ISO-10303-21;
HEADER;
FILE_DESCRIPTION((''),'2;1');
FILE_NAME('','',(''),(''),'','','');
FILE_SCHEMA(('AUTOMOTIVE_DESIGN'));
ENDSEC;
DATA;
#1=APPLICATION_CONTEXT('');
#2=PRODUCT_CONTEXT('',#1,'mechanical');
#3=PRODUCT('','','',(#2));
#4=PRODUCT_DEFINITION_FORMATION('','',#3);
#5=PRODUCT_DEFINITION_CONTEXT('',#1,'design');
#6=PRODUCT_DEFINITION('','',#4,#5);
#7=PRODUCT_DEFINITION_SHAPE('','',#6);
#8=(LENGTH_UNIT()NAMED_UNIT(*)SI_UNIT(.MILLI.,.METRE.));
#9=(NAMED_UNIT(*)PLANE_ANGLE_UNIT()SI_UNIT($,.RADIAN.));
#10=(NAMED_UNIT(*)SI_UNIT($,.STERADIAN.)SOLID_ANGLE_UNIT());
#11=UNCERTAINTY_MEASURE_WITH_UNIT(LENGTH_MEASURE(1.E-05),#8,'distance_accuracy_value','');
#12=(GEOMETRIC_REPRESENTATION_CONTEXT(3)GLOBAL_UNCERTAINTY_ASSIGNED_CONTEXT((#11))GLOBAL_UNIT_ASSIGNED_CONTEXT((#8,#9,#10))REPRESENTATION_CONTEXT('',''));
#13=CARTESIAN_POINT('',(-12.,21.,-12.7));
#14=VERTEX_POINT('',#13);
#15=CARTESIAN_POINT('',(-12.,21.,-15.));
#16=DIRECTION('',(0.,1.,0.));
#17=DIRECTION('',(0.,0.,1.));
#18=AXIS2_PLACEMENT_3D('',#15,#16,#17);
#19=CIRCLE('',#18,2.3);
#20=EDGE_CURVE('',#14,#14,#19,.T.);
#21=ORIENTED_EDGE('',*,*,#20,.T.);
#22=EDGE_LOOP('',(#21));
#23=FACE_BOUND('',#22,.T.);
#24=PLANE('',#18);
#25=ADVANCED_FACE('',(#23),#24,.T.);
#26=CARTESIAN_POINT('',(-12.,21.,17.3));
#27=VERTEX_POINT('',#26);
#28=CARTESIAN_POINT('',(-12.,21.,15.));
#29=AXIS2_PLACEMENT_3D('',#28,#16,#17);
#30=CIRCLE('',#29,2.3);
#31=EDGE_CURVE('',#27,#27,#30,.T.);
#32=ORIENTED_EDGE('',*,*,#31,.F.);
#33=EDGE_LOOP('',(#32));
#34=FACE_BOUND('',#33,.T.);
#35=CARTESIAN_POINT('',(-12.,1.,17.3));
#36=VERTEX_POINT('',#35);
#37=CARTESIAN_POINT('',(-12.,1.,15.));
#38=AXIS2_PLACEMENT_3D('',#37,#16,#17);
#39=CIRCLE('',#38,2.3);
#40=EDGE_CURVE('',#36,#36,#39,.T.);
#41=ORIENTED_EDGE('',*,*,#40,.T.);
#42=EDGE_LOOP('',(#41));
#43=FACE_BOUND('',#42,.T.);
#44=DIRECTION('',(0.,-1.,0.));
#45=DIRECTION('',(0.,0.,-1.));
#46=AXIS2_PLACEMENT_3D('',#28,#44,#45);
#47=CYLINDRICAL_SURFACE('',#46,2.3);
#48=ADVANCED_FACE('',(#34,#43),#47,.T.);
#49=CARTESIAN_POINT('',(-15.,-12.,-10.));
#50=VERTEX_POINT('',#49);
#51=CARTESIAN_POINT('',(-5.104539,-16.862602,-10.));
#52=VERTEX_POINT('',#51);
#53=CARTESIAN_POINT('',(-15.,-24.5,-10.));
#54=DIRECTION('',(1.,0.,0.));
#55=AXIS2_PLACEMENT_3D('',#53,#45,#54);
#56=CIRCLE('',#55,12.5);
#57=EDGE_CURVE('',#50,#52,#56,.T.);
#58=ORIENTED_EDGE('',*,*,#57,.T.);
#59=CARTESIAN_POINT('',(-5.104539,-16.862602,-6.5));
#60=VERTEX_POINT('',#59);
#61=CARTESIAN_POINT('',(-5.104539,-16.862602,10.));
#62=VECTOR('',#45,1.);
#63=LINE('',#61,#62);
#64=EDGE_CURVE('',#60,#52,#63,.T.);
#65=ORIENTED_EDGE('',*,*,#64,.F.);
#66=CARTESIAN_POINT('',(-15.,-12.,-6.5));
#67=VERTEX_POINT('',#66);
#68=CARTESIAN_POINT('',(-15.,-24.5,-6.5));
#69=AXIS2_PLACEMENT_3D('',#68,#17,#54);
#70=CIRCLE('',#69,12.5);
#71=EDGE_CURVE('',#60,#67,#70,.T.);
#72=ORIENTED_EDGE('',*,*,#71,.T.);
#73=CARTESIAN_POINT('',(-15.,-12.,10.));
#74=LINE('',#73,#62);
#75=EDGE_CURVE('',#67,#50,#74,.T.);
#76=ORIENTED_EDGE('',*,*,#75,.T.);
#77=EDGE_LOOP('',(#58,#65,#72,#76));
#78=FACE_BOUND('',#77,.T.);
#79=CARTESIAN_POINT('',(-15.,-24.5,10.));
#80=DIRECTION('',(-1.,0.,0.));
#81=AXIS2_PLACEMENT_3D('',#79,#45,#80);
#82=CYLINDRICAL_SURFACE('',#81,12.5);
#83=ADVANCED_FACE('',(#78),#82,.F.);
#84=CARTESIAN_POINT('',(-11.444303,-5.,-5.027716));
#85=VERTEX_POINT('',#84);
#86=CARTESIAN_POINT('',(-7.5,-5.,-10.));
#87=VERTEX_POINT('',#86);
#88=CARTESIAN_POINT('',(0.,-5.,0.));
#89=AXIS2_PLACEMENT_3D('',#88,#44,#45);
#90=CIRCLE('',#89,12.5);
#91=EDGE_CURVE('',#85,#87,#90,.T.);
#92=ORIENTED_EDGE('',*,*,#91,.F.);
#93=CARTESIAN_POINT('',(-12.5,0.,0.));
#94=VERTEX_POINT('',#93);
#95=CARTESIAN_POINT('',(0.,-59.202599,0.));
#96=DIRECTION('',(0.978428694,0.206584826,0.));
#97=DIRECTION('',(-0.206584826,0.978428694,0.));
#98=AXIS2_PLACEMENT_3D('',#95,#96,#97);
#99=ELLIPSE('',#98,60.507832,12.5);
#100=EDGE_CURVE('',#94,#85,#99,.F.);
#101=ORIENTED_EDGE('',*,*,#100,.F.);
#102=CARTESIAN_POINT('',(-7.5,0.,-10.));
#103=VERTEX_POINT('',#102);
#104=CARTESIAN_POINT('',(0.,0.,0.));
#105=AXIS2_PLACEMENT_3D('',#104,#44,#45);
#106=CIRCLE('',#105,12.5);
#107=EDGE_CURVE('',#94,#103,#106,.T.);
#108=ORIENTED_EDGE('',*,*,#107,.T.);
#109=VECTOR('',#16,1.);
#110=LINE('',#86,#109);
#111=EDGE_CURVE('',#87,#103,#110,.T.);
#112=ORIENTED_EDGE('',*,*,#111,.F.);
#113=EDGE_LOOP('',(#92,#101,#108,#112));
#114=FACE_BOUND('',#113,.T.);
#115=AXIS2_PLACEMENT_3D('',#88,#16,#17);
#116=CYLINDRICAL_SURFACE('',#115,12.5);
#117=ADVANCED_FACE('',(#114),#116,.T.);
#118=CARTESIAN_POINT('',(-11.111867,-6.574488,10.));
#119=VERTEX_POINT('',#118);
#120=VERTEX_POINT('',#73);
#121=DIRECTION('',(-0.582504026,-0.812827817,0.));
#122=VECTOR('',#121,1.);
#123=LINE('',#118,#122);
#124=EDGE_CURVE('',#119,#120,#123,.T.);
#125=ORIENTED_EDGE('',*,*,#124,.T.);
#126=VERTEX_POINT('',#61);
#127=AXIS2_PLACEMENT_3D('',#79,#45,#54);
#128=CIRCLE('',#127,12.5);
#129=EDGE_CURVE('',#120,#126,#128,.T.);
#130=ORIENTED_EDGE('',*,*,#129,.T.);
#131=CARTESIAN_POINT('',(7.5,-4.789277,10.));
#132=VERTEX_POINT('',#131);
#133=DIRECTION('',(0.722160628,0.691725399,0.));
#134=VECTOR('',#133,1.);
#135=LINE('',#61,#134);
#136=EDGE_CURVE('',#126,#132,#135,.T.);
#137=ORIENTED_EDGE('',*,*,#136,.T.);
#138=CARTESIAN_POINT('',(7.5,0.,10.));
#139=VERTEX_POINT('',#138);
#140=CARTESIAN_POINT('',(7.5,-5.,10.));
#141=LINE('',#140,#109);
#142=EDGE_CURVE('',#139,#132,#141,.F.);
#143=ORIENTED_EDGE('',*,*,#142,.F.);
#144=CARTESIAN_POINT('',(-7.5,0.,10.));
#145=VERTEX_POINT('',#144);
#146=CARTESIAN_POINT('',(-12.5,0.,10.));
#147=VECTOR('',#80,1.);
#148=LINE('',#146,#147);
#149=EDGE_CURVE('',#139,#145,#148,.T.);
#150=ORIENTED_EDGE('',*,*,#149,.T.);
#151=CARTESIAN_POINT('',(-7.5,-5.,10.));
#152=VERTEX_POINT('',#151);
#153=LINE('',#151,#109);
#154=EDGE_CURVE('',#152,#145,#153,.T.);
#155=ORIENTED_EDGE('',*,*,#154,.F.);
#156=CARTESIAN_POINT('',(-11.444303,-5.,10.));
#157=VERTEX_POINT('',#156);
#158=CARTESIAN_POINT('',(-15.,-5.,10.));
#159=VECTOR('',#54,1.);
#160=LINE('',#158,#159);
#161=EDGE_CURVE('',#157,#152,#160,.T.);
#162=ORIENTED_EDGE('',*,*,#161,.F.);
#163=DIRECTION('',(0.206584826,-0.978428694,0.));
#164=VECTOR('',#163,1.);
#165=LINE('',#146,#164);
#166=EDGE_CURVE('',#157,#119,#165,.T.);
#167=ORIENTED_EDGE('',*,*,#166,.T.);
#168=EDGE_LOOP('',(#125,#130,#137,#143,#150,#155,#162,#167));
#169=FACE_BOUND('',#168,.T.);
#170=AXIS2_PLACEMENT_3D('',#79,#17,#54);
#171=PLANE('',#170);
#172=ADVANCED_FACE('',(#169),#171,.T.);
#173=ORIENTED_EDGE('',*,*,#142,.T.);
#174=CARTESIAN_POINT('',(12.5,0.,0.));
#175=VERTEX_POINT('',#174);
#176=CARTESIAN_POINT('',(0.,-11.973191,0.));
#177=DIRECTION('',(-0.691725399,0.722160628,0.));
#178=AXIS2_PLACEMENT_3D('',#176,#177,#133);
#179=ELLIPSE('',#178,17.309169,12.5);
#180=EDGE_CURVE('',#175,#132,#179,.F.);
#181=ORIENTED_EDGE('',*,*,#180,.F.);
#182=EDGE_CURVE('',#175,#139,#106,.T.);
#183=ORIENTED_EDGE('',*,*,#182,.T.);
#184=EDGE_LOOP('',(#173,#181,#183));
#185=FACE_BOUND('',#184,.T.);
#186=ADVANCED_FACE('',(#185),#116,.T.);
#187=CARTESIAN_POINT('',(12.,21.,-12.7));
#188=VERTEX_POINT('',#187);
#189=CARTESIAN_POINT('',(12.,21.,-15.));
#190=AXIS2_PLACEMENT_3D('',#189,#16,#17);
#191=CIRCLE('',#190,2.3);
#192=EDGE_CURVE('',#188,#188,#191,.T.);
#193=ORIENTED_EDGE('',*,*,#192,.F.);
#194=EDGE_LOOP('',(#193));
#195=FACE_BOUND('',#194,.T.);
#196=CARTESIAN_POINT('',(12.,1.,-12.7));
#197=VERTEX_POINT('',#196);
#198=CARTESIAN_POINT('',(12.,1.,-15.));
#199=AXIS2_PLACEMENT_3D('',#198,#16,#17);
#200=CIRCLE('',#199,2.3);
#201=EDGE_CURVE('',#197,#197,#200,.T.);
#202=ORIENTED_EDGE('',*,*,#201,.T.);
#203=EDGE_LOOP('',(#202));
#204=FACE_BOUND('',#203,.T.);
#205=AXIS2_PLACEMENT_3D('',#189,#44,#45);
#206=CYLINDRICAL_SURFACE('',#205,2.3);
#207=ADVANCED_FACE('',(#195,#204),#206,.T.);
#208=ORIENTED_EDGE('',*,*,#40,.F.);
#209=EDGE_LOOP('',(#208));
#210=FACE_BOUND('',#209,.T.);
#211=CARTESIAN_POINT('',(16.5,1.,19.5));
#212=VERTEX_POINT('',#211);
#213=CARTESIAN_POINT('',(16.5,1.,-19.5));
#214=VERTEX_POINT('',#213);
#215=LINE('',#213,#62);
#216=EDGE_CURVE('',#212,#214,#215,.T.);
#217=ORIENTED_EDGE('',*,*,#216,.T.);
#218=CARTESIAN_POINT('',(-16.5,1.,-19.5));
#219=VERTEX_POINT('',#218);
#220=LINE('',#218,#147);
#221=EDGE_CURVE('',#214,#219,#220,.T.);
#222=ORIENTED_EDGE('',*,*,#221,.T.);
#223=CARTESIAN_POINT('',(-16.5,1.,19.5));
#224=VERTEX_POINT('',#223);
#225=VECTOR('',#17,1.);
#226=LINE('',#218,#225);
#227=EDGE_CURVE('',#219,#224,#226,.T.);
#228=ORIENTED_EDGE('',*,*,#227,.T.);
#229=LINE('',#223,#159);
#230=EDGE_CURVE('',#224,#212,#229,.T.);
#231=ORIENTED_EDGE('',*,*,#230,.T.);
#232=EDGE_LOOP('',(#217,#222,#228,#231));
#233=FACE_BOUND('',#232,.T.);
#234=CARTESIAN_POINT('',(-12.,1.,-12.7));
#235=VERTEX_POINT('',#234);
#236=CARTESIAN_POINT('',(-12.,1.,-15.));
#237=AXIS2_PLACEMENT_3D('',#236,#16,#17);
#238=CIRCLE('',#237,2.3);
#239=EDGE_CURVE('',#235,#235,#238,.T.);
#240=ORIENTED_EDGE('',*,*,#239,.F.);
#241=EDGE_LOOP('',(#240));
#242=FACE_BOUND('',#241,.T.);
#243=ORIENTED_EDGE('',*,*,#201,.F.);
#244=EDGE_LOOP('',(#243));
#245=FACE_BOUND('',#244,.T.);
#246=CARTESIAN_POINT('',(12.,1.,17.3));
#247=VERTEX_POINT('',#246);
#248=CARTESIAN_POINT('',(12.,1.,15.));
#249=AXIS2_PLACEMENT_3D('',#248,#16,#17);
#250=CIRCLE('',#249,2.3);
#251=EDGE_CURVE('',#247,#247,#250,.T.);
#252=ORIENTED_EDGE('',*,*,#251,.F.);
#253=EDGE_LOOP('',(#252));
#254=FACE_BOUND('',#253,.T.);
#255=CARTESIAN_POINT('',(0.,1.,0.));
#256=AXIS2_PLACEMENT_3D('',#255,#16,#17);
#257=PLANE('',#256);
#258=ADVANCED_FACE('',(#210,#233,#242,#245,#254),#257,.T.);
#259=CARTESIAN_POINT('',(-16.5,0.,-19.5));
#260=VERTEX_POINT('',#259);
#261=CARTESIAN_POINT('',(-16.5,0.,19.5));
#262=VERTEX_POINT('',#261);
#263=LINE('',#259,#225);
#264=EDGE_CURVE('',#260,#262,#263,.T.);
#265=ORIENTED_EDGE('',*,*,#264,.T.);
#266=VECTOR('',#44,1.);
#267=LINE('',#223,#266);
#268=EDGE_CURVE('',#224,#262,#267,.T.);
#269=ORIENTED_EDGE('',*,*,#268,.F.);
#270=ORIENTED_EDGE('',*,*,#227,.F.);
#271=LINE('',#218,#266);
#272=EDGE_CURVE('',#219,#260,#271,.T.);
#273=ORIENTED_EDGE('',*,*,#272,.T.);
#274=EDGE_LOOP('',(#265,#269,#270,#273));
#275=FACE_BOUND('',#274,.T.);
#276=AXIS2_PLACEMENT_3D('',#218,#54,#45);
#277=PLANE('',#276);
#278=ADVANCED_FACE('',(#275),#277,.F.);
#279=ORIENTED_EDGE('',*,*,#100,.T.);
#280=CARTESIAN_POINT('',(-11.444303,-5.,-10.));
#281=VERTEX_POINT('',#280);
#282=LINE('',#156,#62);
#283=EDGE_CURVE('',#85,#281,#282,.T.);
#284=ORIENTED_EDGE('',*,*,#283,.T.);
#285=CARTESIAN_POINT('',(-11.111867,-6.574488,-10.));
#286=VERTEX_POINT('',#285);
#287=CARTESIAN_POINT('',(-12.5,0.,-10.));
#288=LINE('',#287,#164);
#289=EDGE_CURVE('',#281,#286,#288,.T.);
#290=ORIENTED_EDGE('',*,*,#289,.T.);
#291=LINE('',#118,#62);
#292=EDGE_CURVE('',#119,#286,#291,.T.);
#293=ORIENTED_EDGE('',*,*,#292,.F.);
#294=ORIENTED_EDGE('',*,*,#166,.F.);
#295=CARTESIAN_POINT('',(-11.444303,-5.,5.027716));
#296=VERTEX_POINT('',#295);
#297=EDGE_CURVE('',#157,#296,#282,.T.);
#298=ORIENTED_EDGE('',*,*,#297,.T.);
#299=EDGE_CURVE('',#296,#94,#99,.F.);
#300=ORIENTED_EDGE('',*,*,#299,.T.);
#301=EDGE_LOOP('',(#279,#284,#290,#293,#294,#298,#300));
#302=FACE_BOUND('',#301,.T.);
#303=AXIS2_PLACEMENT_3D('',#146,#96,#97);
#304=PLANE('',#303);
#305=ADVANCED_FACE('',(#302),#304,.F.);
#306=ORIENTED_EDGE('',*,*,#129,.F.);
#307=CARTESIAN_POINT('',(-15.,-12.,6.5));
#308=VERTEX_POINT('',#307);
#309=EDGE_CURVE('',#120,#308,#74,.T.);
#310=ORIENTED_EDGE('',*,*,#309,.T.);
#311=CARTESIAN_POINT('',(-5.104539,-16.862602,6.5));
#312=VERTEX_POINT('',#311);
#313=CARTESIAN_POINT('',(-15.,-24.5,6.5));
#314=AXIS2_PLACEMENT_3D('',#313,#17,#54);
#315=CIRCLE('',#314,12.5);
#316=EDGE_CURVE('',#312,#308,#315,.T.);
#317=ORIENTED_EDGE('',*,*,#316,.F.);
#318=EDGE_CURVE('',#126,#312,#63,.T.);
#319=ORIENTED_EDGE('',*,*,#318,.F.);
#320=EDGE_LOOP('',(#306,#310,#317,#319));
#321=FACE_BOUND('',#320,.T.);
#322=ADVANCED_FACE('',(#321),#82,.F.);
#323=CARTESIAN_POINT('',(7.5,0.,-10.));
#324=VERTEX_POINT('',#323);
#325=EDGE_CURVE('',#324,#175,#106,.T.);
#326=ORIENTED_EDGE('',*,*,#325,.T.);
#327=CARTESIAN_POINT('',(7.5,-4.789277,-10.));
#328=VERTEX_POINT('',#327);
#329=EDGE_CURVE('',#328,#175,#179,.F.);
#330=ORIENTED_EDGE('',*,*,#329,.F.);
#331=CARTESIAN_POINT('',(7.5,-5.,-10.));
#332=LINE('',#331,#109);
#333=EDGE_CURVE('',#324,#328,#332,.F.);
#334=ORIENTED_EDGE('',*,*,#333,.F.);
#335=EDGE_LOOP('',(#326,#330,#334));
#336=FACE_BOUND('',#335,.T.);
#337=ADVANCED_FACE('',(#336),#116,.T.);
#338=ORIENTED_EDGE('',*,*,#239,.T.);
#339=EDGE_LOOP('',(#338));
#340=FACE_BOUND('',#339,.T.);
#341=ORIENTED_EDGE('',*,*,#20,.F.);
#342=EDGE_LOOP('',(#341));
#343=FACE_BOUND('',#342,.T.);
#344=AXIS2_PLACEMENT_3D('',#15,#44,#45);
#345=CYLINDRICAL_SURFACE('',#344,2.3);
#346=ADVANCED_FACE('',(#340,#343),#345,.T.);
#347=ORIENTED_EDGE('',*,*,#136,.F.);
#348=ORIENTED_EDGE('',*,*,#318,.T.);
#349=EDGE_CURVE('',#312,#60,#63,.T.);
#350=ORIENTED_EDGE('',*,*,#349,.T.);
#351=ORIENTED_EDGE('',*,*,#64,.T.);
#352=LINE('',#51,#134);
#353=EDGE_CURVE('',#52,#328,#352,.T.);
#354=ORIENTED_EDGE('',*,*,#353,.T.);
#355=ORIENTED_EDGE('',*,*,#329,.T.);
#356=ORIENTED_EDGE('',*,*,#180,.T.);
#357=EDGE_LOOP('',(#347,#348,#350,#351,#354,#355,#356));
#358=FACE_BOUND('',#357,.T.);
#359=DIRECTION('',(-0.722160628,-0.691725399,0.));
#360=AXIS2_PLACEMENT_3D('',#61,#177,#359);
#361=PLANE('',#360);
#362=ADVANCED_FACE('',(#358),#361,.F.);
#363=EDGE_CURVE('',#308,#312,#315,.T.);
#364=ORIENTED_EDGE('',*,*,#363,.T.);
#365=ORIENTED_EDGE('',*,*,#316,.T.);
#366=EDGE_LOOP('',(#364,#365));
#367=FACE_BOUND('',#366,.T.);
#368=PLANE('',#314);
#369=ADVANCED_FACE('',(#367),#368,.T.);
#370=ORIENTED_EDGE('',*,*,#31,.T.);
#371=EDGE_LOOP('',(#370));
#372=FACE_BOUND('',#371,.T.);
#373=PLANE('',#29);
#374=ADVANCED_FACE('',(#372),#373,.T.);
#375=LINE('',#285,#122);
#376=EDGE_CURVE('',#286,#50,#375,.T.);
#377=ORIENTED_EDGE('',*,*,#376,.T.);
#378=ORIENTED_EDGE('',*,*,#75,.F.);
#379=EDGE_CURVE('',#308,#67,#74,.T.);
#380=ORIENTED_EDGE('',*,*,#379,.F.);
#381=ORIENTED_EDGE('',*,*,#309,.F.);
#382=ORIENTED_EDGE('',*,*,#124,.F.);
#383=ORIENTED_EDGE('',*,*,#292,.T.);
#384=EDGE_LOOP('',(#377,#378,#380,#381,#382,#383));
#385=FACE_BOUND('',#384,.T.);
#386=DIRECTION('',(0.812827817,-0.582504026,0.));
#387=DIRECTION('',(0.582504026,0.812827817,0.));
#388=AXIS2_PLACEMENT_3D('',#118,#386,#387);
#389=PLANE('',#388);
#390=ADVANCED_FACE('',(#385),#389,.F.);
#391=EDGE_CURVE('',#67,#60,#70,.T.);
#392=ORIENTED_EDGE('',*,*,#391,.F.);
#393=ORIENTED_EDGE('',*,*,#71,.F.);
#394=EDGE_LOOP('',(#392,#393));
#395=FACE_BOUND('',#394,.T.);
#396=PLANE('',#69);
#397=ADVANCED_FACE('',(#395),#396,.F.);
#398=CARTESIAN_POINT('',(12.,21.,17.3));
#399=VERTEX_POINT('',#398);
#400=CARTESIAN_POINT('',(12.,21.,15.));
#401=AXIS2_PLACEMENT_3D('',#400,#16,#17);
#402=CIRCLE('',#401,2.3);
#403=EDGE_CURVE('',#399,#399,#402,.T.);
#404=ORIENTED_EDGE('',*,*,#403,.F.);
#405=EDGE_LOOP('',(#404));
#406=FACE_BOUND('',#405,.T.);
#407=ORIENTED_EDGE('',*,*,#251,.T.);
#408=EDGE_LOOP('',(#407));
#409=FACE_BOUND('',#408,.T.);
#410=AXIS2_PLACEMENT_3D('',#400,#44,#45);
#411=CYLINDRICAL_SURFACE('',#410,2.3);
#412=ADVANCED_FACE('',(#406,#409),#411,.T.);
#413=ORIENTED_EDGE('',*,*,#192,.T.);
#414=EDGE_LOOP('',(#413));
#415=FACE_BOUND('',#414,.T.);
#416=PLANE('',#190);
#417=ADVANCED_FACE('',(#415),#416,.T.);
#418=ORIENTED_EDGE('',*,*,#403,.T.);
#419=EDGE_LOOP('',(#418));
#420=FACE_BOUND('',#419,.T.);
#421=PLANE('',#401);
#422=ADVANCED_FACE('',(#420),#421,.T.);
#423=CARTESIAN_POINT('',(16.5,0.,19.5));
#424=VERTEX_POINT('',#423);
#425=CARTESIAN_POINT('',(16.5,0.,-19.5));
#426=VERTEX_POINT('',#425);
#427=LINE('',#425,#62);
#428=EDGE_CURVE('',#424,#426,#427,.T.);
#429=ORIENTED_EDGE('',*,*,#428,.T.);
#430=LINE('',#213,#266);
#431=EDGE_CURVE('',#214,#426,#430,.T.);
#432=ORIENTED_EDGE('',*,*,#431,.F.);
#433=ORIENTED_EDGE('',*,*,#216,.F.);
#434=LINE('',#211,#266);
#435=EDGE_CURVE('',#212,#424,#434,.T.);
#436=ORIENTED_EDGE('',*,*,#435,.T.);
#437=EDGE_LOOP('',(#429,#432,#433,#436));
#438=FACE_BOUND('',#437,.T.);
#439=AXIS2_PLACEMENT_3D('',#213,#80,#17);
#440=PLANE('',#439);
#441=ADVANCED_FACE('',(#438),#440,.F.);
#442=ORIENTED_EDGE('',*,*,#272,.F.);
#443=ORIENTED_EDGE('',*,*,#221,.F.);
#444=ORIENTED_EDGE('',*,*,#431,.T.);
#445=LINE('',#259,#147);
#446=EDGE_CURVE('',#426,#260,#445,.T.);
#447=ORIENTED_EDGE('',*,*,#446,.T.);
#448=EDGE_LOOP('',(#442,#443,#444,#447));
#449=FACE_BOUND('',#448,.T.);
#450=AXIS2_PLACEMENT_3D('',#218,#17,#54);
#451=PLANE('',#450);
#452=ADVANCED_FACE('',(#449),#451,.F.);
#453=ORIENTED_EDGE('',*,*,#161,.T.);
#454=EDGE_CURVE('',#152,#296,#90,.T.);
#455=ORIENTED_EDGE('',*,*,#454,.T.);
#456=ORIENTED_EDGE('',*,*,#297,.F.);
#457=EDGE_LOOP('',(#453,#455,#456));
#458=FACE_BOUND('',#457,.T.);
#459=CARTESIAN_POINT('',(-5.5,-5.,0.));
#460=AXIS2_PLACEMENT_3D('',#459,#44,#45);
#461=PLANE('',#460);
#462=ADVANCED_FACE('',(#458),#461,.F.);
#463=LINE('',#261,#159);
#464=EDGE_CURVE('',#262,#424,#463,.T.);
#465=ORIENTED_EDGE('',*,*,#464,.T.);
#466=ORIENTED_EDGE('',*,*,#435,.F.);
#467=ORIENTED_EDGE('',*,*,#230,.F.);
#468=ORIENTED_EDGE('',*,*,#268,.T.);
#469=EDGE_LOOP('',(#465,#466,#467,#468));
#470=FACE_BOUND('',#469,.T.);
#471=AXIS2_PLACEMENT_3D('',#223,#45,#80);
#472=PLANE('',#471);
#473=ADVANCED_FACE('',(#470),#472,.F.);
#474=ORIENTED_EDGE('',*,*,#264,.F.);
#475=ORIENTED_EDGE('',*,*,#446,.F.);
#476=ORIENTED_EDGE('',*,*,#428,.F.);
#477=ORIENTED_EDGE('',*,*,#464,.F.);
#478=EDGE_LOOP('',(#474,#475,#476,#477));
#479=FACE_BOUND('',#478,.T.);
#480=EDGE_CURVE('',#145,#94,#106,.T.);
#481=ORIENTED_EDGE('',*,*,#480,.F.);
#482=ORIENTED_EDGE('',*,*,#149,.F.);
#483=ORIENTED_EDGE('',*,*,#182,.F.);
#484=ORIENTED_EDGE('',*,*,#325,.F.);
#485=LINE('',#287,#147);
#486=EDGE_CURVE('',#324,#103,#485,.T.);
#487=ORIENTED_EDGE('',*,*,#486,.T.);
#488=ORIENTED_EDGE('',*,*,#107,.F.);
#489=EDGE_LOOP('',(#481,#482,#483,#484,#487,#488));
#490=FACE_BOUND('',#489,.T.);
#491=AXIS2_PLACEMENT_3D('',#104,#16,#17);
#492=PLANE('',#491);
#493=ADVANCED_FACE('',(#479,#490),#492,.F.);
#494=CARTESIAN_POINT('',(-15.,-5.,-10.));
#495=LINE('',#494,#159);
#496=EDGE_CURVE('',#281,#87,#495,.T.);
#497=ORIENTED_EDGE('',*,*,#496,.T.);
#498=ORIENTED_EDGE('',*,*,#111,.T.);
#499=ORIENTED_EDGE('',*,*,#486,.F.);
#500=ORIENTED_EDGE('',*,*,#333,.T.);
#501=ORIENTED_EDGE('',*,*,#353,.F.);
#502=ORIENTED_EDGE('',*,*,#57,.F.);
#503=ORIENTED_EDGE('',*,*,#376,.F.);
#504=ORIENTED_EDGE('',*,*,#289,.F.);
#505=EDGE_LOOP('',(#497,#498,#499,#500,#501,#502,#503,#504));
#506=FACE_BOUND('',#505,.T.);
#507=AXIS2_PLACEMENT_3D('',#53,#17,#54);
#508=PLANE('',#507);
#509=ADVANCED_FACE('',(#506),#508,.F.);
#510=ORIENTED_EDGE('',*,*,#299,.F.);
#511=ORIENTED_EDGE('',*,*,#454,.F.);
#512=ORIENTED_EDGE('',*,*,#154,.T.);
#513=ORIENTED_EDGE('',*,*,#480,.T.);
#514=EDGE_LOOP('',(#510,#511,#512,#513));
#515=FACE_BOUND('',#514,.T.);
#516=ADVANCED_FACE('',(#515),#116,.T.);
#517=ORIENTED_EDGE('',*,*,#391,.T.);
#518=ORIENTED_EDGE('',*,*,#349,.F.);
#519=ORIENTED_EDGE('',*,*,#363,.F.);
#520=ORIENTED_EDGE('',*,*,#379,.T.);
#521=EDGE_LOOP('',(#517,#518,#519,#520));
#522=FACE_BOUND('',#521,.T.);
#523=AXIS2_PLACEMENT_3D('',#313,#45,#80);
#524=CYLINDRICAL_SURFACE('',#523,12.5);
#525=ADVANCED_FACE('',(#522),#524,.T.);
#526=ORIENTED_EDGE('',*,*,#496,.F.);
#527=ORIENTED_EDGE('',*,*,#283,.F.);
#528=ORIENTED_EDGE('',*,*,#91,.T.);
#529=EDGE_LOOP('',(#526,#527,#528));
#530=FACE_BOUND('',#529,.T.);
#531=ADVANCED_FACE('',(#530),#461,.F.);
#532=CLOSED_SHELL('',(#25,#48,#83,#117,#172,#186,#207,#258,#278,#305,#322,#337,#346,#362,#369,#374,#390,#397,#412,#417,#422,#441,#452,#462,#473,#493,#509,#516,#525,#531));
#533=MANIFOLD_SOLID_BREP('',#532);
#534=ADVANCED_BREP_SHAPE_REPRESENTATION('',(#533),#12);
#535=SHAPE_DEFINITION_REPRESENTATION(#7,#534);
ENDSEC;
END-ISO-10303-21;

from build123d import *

# Parameters (mm, degrees)
SKETCH_1_W          = 33
SKETCH_1_H          = 39
EXTRUDE_1_DEPTH     = 1
SKETCH_2_R          = 12.5
EXTRUDE_2_DEPTH     = 6.5
EXTRUDE_3_DEPTH     = 10
SKETCH_4_R          = 2.3
EXTRUDE_4_DEPTH     = 20
SKETCH_5_OUTSIDE_W  = 62.518
SKETCH_5_OUTSIDE_H  = 57.518
SKETCH_5_OUTSIDE_R  = 12.5
CUT_EXTRUDE_1_DEPTH = 5


with BuildPart() as part:
    # 草图1 → 凸台-拉伸1 (new body)
    with BuildSketch(Plane(origin=(0, 0, 0), x_dir=(1, 0, 0), z_dir=(0, 1, 0))):
        Rectangle(SKETCH_1_W, SKETCH_1_H)
    extrude(amount=EXTRUDE_1_DEPTH)



with BuildPart() as body_2:
    # 草图2 → 凸台-拉伸2 (new, symmetric)
    with BuildSketch(Plane.XY):
        with Locations(Location((-15, -24.5, 0), (0, 0, 180))):
            Circle(SKETCH_2_R)
    extrude(amount=EXTRUDE_2_DEPTH, both=True)


with BuildPart() as part_1:
    add(part.part)

    add(body_2.part)  # 凸台-拉伸3 merges body 2
    # 草图3 → 凸台-拉伸3 (add, symmetric)
    with BuildSketch(Plane.XY):
        with BuildLine():
            Line((-12.5, 0), (-11.111866784, -6.574487566))
            Line((-11.111866784, -6.574487566), (-15, -12))
            ThreePointArc((-15, -12), (-9.487173184, -13.281321802), (-5.104539199, -16.86260152))
            Line((-5.104539199, -16.86260152), (12.5, 0))
            Line((12.5, 0), (-12.5, 0))
        make_face()
    extrude(amount=EXTRUDE_3_DEPTH, both=True)

    # 草图4 → 凸台-拉伸4 (add)
    with BuildSketch(Plane(origin=(0, 1, 0), x_dir=(1, 0, 0), z_dir=(0, 1, 0))):
        with Locations(Location((-12, 15, 0), (0, 0, 270))):
            Circle(SKETCH_4_R)
        with Locations(Location((12, 15, 0), (0, 0, 270))):
            Circle(SKETCH_4_R)
        with Locations(Location((-12, -15, 0), (0, 0, 270))):
            Circle(SKETCH_4_R)
        with Locations(Location((12, -15, 0), (0, 0, 270))):
            Circle(SKETCH_4_R)
    extrude(amount=EXTRUDE_4_DEPTH)

    # 草图5 outside → 切除-拉伸1 (cut)
    with BuildSketch(Plane.XZ):
        with Locations((-5.5, 0)):
            Rectangle(SKETCH_5_OUTSIDE_W, SKETCH_5_OUTSIDE_H)
        Circle(SKETCH_5_OUTSIDE_R, mode=Mode.SUBTRACT)
    extrude(amount=CUT_EXTRUDE_1_DEPTH, mode=Mode.SUBTRACT)


solid = part_1.part
